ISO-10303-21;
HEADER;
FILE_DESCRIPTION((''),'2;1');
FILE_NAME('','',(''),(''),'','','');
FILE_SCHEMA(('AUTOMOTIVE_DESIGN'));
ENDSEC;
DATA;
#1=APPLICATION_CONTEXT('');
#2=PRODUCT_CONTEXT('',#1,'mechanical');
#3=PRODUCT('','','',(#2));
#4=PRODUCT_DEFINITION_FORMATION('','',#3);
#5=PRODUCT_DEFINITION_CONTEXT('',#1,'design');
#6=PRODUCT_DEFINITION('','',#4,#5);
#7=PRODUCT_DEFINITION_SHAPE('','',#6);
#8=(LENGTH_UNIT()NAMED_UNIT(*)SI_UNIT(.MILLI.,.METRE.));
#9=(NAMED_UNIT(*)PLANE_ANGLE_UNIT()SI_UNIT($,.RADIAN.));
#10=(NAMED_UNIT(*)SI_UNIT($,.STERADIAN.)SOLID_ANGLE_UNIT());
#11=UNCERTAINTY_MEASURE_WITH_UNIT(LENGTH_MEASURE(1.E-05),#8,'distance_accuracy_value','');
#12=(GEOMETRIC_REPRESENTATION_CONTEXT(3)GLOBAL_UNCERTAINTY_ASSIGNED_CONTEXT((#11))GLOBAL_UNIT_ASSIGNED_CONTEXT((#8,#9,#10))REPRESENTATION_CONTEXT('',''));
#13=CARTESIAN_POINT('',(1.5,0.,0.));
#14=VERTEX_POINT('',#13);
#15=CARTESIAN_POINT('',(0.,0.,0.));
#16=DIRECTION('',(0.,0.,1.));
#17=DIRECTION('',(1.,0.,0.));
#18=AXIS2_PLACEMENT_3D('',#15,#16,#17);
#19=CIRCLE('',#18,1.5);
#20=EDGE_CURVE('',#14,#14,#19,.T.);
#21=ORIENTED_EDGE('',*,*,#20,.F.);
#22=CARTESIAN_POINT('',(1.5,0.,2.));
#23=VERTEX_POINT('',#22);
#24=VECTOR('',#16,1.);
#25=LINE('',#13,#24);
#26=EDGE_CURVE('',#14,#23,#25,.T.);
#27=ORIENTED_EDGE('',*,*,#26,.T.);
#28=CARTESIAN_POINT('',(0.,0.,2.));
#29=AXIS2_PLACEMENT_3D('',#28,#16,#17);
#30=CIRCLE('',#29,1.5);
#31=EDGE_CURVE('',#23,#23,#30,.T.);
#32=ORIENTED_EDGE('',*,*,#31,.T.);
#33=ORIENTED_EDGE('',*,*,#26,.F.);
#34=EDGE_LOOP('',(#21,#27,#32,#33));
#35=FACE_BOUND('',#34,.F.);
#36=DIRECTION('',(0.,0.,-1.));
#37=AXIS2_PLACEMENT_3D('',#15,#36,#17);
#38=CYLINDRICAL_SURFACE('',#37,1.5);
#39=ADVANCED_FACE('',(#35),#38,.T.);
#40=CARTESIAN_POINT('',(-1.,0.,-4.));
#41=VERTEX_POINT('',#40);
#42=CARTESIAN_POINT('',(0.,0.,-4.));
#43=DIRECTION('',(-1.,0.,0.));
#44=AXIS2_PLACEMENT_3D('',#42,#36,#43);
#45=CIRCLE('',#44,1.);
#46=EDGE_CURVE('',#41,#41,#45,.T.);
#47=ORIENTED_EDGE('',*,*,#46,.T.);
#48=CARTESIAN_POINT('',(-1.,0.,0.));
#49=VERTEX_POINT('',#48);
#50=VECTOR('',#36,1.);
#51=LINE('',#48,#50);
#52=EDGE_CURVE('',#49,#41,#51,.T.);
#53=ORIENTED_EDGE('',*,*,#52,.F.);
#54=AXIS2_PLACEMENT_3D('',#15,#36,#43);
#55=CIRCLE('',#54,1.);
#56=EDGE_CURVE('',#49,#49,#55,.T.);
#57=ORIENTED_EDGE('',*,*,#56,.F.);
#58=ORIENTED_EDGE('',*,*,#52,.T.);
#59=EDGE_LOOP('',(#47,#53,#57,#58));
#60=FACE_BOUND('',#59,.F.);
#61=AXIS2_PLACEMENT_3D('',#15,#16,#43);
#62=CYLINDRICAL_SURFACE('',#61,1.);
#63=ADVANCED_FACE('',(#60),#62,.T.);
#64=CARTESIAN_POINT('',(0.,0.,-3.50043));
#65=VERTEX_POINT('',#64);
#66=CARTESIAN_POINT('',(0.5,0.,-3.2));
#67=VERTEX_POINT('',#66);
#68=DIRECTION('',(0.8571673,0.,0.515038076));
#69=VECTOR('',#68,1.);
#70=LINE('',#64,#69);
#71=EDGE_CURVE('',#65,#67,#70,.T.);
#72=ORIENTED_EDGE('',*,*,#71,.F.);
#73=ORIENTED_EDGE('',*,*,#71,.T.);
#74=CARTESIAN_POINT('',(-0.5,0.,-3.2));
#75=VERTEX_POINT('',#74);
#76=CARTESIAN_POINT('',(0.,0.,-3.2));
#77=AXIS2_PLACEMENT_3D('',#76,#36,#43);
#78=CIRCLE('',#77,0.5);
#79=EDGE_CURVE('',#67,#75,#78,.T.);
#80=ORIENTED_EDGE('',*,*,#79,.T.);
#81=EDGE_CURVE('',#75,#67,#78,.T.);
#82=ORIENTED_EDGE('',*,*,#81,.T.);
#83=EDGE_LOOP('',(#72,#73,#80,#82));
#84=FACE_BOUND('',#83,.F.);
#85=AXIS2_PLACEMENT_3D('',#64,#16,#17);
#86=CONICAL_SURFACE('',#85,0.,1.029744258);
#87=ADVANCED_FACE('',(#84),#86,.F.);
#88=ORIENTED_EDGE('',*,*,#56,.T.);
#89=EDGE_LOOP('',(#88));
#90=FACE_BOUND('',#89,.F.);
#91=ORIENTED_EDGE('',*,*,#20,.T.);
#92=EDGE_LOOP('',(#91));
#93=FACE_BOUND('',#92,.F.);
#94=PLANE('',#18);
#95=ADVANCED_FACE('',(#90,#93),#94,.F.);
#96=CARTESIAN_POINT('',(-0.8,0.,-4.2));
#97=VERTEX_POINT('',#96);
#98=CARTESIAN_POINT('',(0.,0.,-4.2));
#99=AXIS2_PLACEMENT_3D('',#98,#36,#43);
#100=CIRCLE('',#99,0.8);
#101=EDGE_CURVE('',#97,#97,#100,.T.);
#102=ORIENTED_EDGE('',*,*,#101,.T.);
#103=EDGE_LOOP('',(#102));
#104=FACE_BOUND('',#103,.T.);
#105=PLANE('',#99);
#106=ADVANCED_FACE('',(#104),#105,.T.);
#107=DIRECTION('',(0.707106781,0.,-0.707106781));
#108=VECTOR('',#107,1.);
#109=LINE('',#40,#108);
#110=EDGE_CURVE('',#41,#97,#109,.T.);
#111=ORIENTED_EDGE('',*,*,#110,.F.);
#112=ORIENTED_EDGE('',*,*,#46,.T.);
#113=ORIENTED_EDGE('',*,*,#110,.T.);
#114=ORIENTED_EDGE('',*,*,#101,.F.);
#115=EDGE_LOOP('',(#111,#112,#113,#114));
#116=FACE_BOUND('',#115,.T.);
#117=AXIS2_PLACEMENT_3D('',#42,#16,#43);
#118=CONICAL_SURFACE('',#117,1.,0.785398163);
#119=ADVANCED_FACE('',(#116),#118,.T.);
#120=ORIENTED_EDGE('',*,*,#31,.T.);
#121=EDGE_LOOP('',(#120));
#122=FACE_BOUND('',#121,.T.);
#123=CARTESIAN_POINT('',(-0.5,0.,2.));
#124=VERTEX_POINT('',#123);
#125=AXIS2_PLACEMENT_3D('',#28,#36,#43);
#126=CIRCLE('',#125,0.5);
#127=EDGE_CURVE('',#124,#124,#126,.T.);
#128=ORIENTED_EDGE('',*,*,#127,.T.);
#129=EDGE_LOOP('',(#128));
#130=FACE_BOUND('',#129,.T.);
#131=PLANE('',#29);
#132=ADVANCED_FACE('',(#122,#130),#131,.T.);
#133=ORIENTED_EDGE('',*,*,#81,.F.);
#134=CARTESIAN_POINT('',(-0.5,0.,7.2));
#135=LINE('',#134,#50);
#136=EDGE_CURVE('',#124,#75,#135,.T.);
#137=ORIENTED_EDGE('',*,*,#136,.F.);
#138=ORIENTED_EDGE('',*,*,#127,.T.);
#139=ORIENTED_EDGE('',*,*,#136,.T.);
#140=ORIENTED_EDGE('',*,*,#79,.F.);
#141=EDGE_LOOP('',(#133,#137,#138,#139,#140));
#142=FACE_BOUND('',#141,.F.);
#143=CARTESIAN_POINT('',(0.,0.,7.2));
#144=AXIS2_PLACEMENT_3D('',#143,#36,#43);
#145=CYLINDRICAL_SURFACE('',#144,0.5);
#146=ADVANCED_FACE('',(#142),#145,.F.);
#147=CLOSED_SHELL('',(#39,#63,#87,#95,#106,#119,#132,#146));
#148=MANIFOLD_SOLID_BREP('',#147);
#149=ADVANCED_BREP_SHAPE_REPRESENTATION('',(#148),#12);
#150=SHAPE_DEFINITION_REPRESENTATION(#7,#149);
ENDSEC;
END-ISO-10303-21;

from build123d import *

# Parameters (mm, degrees)
SKETCH_1_R      = 1.5
EXTRUDE_1_DEPTH = 2
SKETCH_2_R      = 1
EXTRUDE_2_DEPTH = 4.2
CHAMFER_1_SIZE  = 0.2
MM_1_D          = 1
MM_1_DEPTH      = 5.2
MM_1_TIP        = 0.30043031


with BuildPart() as part:
    # 草图1 → 凸台-拉伸1 (new body)
    with BuildSketch(Plane.XY):
        Circle(SKETCH_1_R)
    extrude(amount=EXTRUDE_1_DEPTH)

    # 草图2 → 凸台-拉伸2 (add)
    with BuildSketch(Plane(origin=(0, 0, 0), x_dir=(-1, 0, 0), z_dir=(0, 0, -1))):
        Circle(SKETCH_2_R)
    extrude(amount=EXTRUDE_2_DEPTH)

    # 倒角1
    chamfer_1_edges = [part.edges().sort_by_distance(p)[0] for p in [
        (1, 0, -4.2),
    ]]
    chamfer(chamfer_1_edges, length=CHAMFER_1_SIZE)

    # 大小mm 暗销孔1
    with Locations(Plane.XY.offset(2)):
        with Locations((0, 0)):
            Hole(MM_1_D / 2, depth=MM_1_DEPTH)
            with Locations((0, 0, -(MM_1_DEPTH + MM_1_TIP / 2))):  # 118° drill point
                Cone(0, MM_1_D / 2, MM_1_TIP, mode=Mode.SUBTRACT)


solid = part.part
